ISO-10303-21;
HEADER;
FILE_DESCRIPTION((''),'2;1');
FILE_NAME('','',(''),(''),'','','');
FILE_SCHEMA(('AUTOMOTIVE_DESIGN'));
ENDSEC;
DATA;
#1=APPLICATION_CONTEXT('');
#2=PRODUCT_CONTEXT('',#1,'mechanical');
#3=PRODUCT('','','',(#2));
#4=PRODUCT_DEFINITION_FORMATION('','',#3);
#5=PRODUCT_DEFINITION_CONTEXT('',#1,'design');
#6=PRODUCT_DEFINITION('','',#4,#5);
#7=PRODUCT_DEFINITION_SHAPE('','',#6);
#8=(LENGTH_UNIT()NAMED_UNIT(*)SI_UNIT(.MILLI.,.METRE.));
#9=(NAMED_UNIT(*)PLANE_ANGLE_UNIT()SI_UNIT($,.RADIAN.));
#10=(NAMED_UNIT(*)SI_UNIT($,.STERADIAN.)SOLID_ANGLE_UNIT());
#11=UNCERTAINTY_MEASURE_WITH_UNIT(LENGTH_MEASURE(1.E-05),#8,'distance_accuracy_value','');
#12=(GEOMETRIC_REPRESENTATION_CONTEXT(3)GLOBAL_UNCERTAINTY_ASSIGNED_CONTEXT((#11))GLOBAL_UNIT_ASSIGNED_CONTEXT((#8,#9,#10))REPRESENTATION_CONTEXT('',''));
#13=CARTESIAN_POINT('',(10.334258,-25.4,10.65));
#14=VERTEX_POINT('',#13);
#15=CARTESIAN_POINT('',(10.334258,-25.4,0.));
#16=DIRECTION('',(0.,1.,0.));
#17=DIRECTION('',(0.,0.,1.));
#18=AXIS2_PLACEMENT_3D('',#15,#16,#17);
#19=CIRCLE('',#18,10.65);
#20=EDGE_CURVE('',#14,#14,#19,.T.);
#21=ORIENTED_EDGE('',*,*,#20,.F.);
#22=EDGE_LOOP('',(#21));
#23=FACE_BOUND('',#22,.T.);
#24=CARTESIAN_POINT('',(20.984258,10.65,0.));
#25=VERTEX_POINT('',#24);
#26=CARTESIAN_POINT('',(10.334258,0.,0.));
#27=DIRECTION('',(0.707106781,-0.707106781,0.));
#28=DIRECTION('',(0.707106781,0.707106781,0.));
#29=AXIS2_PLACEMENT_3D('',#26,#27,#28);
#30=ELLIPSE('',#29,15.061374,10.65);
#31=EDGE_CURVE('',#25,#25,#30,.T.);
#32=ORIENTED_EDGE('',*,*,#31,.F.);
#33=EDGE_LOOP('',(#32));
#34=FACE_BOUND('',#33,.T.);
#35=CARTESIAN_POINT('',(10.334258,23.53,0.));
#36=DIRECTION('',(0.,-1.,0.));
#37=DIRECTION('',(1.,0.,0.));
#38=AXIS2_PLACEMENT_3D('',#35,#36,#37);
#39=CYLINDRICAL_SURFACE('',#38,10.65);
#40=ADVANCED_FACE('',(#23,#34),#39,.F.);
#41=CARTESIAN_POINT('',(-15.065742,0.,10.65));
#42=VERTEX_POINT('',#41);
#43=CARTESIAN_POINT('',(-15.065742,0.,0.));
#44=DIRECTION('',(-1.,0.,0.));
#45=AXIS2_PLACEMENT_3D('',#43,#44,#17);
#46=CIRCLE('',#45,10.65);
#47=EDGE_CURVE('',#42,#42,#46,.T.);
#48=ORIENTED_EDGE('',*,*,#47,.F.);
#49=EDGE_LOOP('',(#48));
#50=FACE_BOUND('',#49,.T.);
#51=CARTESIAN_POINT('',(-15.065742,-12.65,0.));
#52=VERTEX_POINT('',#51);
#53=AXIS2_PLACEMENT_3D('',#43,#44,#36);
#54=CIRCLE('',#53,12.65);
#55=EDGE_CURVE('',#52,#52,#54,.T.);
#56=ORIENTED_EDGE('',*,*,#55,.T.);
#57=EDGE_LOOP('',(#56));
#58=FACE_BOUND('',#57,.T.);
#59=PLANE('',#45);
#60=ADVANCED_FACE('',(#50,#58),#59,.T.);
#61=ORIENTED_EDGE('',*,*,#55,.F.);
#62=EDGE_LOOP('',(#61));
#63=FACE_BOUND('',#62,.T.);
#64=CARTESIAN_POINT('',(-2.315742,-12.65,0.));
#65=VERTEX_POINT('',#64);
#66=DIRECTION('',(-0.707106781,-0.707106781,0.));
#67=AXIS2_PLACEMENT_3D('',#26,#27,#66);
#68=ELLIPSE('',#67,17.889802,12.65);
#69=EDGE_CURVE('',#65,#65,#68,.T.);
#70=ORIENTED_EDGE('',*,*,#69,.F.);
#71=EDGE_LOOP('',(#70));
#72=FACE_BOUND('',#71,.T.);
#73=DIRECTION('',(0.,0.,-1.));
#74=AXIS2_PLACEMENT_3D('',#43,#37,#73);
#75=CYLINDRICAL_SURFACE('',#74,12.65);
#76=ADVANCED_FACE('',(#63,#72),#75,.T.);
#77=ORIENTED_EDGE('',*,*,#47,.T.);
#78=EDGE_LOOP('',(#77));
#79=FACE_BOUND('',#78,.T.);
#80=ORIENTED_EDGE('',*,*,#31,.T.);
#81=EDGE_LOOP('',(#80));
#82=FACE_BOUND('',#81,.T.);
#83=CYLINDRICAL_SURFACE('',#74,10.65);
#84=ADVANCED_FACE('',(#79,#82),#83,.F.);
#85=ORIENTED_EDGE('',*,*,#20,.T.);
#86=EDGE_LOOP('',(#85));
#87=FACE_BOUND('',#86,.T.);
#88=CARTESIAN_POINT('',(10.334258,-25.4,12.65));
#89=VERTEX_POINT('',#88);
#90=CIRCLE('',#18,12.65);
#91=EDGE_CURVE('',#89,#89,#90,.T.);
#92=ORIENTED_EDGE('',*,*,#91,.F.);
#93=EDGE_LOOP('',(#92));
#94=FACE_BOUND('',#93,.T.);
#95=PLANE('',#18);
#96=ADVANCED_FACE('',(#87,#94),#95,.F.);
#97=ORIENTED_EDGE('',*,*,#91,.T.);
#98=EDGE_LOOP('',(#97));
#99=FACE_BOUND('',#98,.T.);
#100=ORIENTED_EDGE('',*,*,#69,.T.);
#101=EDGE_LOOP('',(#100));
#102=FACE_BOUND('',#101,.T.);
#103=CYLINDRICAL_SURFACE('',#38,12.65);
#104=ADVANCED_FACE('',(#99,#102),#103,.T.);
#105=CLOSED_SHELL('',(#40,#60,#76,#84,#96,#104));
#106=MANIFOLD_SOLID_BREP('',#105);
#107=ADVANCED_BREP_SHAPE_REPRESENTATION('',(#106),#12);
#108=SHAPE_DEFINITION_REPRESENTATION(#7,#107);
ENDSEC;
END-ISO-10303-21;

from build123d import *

# Parameters (mm, degrees)
BARRER_L_MINA1_PROFILE_R   = 12.65
BARRER_L_MINA1_PROFILE_R_2 = 10.65


with BuildPart() as part:
    # Barrer-Lámina1: sweep along a path in Croquis1
    with BuildLine(Plane.XY) as barrer_l_mina1_path:
        Line((-15.065742385, 0), (10.334257615, 0))
        Line((10.334257615, 0), (10.334257615, -25.4))
    # Barrer-Lámina1 profile (on start of the path) → Barrer-Lámina1 (sweep)
    with BuildSketch(Plane(origin=(-15.065742385, 0, 0), x_dir=(0, 0, 1), z_dir=(1, 0, 0))):
        Circle(BARRER_L_MINA1_PROFILE_R)
        Circle(BARRER_L_MINA1_PROFILE_R_2, mode=Mode.SUBTRACT)
    sweep(path=barrer_l_mina1_path.line, transition=Transition.RIGHT)


solid = part.part
